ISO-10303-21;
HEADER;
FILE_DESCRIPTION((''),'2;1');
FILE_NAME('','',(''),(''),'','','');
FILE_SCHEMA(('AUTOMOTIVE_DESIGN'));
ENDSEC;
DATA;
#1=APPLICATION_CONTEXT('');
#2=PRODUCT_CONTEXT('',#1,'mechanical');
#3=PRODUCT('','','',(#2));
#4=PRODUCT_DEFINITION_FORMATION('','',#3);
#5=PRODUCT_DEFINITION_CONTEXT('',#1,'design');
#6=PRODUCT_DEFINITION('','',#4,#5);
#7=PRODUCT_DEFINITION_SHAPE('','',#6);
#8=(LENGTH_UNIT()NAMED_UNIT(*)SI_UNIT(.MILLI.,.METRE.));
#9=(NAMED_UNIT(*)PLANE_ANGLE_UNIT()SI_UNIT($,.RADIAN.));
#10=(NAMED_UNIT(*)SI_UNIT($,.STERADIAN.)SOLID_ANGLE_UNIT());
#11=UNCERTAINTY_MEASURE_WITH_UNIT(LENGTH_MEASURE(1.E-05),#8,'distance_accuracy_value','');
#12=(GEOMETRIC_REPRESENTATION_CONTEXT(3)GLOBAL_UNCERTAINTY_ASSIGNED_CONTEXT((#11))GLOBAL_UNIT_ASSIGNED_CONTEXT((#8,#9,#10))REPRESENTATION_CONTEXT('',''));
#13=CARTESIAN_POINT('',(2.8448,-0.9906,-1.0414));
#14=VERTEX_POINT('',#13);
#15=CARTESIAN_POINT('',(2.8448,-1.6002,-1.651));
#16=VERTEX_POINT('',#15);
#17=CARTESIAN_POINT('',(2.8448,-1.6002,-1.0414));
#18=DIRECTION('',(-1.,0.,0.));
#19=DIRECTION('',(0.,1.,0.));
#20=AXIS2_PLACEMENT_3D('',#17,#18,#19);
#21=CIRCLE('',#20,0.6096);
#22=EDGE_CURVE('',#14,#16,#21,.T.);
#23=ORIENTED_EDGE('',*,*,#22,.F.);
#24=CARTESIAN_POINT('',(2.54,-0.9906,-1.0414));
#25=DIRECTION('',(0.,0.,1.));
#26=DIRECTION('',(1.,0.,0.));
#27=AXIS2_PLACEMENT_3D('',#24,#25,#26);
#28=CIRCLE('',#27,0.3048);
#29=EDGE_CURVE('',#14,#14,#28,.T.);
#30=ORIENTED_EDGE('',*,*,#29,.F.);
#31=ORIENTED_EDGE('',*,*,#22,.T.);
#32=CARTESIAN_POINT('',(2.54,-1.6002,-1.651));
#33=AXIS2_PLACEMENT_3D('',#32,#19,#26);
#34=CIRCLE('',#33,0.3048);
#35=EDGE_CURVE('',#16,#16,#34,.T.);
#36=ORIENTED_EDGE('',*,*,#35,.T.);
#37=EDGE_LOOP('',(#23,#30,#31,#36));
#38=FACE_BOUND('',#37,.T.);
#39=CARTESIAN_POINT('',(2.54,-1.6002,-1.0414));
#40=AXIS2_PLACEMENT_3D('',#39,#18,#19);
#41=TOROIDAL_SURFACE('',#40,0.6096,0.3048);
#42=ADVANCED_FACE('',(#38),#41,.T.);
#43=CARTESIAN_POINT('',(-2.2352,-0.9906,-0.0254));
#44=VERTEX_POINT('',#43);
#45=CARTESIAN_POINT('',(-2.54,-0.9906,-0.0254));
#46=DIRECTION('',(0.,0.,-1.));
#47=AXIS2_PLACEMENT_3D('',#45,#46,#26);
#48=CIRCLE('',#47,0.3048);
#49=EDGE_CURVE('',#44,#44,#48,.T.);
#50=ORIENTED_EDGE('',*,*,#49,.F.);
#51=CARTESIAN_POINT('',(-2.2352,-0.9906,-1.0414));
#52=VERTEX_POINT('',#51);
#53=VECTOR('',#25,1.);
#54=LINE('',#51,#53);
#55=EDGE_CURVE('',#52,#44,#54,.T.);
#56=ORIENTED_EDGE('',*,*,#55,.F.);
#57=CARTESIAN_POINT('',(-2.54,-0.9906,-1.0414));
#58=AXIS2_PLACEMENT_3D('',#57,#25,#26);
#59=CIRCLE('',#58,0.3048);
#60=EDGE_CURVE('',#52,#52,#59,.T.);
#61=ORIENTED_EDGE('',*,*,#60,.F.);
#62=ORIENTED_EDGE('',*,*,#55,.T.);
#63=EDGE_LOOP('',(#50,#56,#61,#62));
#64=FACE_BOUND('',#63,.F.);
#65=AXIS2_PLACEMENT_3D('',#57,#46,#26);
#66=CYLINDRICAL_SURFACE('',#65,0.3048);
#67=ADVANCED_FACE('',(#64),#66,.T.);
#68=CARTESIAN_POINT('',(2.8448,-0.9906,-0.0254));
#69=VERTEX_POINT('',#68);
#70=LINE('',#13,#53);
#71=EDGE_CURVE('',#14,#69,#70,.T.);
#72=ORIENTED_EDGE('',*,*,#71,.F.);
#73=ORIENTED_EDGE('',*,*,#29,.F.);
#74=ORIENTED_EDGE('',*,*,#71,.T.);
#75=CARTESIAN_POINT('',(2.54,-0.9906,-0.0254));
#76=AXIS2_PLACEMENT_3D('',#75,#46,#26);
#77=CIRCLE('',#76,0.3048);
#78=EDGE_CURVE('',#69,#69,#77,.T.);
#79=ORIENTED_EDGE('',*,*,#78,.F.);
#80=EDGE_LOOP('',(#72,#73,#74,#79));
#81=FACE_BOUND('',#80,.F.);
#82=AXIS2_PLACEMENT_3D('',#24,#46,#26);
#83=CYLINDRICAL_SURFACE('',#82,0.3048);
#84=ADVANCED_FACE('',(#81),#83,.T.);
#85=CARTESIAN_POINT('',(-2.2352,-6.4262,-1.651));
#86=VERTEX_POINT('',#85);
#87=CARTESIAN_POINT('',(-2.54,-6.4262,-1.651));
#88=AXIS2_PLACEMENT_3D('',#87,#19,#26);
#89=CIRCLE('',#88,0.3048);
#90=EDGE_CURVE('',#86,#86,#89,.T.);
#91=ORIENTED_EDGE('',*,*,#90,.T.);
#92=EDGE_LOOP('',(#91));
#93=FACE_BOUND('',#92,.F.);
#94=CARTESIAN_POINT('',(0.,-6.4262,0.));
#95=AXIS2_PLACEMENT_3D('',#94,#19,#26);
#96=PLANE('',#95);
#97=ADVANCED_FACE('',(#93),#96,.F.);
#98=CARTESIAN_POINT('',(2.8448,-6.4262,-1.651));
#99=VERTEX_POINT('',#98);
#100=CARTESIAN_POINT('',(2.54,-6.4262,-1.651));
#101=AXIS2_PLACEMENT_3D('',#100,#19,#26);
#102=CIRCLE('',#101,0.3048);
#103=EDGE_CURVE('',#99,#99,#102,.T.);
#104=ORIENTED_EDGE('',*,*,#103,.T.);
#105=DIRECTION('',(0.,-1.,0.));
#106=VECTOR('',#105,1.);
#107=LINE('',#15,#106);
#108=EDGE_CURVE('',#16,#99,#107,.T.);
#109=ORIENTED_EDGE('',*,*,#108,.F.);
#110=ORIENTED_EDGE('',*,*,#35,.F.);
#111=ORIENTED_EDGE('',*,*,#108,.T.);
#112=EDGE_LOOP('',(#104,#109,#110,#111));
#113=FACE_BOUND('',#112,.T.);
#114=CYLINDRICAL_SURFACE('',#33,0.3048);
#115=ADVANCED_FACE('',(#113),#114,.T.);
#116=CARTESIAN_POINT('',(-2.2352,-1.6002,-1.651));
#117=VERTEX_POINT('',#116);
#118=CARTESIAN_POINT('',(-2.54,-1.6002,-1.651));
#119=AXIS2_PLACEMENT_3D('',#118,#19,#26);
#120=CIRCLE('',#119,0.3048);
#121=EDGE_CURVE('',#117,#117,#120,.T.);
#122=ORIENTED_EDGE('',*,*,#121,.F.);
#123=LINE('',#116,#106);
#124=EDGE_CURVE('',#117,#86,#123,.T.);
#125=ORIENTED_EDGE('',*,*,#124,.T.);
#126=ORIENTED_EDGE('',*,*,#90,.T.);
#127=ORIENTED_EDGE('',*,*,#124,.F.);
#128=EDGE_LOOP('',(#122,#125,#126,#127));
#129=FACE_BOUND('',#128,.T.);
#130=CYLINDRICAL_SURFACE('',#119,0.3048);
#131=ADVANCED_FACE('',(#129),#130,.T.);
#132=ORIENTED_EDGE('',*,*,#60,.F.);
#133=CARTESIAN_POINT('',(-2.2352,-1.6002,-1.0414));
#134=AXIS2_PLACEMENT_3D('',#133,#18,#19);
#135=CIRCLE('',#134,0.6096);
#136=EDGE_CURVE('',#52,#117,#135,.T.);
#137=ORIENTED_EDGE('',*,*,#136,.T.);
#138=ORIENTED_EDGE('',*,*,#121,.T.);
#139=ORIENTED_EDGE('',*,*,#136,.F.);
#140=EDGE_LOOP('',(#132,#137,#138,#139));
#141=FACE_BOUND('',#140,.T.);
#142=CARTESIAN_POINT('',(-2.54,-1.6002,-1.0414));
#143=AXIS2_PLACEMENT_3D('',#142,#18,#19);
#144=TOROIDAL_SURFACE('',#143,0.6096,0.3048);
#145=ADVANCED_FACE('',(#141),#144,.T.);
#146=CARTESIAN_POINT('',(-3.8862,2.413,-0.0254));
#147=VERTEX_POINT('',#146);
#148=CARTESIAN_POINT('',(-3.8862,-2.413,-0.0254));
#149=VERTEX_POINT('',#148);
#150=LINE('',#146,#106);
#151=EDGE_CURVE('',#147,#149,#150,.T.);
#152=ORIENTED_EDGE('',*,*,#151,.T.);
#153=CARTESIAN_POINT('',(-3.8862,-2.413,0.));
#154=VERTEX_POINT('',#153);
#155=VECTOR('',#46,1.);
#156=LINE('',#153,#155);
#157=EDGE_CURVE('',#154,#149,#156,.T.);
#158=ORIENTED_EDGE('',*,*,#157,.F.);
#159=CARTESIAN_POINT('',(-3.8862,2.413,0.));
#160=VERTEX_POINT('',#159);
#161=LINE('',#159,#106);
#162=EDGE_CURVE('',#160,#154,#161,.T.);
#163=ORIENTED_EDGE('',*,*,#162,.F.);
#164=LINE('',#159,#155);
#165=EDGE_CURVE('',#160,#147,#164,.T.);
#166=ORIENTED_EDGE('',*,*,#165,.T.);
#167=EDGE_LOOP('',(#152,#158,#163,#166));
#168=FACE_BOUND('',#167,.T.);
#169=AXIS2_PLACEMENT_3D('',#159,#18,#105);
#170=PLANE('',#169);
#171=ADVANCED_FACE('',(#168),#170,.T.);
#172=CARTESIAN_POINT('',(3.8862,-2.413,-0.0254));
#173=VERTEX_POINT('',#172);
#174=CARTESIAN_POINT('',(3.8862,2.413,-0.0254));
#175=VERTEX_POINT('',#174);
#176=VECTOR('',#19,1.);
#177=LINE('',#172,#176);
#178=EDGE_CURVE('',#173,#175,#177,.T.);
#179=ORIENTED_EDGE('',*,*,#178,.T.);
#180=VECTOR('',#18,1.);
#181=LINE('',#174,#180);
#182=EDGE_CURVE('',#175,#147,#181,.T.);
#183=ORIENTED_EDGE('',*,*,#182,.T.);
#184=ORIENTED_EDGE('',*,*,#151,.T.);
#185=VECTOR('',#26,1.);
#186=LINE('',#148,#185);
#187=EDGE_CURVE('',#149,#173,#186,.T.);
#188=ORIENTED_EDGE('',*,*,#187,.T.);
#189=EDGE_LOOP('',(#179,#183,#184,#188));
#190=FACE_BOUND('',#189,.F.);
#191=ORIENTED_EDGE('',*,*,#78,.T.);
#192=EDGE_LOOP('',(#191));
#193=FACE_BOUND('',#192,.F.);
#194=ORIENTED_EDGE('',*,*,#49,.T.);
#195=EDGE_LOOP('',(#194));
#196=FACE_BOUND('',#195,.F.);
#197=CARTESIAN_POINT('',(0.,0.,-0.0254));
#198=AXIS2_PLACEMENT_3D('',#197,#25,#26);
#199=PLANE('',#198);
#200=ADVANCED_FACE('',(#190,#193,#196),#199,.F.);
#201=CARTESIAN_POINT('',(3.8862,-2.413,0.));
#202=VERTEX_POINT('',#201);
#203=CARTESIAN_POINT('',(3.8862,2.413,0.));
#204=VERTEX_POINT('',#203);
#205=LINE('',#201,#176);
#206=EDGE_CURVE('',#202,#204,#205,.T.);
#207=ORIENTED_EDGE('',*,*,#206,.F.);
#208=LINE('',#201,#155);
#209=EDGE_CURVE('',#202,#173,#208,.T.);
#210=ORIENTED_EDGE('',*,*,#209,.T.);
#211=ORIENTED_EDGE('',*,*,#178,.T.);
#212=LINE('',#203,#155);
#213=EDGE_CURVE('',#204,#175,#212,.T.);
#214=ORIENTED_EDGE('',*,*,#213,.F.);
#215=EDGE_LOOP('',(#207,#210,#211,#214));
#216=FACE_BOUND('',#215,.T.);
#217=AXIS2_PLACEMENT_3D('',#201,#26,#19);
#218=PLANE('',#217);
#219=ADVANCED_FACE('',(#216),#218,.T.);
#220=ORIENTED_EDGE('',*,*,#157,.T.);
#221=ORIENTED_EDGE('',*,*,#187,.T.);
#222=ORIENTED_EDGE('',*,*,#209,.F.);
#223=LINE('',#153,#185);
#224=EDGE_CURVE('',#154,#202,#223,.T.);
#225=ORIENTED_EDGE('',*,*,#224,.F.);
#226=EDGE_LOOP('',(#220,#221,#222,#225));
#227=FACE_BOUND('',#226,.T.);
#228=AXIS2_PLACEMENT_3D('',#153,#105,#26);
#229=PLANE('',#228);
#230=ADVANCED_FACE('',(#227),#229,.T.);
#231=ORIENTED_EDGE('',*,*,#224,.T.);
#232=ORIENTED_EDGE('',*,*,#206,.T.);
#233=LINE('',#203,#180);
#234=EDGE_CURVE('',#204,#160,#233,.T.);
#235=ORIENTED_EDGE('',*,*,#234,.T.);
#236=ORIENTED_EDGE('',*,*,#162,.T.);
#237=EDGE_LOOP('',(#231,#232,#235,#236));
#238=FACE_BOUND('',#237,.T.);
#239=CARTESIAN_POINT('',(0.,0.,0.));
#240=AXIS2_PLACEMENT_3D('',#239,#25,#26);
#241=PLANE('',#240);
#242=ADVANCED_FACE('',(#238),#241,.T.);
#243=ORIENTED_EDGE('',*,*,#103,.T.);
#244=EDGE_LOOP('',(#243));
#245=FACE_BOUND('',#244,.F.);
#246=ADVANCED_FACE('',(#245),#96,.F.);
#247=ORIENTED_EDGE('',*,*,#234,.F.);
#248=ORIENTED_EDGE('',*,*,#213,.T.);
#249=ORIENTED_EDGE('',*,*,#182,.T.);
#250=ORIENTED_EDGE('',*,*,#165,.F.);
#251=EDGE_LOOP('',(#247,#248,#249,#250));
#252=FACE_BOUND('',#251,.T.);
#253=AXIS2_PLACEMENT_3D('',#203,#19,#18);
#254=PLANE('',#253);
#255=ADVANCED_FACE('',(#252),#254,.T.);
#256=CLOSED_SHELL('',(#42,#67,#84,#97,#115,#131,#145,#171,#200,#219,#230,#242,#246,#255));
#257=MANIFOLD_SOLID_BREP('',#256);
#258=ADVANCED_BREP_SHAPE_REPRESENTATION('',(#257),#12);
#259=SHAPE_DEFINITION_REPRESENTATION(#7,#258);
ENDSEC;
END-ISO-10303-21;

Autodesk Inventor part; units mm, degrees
sketch "Sketch_1" plane through (0, 0, 0) normal (0, 0, 1) x (1, 0, 0)
  line L0 (-3.8862, 2.413) -> (-3.8862, -2.413)
  line L1 (-3.8862, -2.413) -> (3.8862, -2.413)
  line L2 (3.8862, -2.413) -> (3.8862, 2.413)
  line L3 (3.8862, 2.413) -> (-3.8862, 2.413)
extrude "Extrusion1" add sketch "Sketch_1" against normal blind 0.0254
sketch "Sketch_2" plane through (0, 0, -1.0414) normal (0, 0, 1) x (1, 0, 0)
  circle A0 centre (-2.54, -0.9906) radius 0.3048
extrude "Extrusion2" add sketch "Sketch_2" along normal blind 1.0414
sketch "Sketch_5" plane through (0, 0, -1.0414) normal (0, 0, 1) x (1, 0, 0)
  circle A0 centre (2.54, -0.9906) radius 0.3048
extrude "Extrusion3" add sketch "Sketch_5" along normal blind 1.0414
sketch "Sketch_6" plane through (0, 0, -1.0414) normal (0, 0, 1) x (1, 0, 0)
  line L0 (3.81, -1.6002) -> (-3.81, -1.6002)
  circle A0 centre (-2.54, -0.9906) radius 0.3048
revolve "Revolution1" add sketch "Sketch_6" angle 90 about axis through (3.81, -1.6002, -1.0414) along (-1, 0, 0)
sketch "Sketch_7" plane through (0, 0, -1.0414) normal (0, 0, 1) x (1, 0, 0)
  line L0 (2.54, -1.6002) -> (-2.54, -1.6002)
  circle A0 centre (2.54, -0.9906) radius 0.3048
revolve "Revolution2" add sketch "Sketch_7" angle 90 about axis through (2.54, -1.6002, -1.0414) along (-1, 0, 0)
sketch "Sketch_9" plane through (0, -1.6002, 0) normal (0, 1, 0) x (1, 0, 0)
  circle A0 centre (-2.54, 1.651) radius 0.3048
extrude "Extrusion4" add sketch "Sketch_9" against normal blind 4.826
sketch "Sketch_10" plane through (0, -1.6002, 0) normal (0, 1, 0) x (1, 0, 0)
  circle A0 centre (2.54, 1.651) radius 0.3048
extrude "Extrusion5" add sketch "Sketch_10" against normal blind 4.826
ref_plane "right_body_XY" through (0, 0, 0) normal (0, 0, -1) x (1, 0, 0)
ref_plane "right_body_YZ" through (0, 0, 0) normal (1, 0, 0) x (0, -1, 0)
ref_plane "right_body_ZX" through (0, 0, 0) normal (0, -1, 0) x (0, 0, -1)
properties part number "AS11CHtrh"
